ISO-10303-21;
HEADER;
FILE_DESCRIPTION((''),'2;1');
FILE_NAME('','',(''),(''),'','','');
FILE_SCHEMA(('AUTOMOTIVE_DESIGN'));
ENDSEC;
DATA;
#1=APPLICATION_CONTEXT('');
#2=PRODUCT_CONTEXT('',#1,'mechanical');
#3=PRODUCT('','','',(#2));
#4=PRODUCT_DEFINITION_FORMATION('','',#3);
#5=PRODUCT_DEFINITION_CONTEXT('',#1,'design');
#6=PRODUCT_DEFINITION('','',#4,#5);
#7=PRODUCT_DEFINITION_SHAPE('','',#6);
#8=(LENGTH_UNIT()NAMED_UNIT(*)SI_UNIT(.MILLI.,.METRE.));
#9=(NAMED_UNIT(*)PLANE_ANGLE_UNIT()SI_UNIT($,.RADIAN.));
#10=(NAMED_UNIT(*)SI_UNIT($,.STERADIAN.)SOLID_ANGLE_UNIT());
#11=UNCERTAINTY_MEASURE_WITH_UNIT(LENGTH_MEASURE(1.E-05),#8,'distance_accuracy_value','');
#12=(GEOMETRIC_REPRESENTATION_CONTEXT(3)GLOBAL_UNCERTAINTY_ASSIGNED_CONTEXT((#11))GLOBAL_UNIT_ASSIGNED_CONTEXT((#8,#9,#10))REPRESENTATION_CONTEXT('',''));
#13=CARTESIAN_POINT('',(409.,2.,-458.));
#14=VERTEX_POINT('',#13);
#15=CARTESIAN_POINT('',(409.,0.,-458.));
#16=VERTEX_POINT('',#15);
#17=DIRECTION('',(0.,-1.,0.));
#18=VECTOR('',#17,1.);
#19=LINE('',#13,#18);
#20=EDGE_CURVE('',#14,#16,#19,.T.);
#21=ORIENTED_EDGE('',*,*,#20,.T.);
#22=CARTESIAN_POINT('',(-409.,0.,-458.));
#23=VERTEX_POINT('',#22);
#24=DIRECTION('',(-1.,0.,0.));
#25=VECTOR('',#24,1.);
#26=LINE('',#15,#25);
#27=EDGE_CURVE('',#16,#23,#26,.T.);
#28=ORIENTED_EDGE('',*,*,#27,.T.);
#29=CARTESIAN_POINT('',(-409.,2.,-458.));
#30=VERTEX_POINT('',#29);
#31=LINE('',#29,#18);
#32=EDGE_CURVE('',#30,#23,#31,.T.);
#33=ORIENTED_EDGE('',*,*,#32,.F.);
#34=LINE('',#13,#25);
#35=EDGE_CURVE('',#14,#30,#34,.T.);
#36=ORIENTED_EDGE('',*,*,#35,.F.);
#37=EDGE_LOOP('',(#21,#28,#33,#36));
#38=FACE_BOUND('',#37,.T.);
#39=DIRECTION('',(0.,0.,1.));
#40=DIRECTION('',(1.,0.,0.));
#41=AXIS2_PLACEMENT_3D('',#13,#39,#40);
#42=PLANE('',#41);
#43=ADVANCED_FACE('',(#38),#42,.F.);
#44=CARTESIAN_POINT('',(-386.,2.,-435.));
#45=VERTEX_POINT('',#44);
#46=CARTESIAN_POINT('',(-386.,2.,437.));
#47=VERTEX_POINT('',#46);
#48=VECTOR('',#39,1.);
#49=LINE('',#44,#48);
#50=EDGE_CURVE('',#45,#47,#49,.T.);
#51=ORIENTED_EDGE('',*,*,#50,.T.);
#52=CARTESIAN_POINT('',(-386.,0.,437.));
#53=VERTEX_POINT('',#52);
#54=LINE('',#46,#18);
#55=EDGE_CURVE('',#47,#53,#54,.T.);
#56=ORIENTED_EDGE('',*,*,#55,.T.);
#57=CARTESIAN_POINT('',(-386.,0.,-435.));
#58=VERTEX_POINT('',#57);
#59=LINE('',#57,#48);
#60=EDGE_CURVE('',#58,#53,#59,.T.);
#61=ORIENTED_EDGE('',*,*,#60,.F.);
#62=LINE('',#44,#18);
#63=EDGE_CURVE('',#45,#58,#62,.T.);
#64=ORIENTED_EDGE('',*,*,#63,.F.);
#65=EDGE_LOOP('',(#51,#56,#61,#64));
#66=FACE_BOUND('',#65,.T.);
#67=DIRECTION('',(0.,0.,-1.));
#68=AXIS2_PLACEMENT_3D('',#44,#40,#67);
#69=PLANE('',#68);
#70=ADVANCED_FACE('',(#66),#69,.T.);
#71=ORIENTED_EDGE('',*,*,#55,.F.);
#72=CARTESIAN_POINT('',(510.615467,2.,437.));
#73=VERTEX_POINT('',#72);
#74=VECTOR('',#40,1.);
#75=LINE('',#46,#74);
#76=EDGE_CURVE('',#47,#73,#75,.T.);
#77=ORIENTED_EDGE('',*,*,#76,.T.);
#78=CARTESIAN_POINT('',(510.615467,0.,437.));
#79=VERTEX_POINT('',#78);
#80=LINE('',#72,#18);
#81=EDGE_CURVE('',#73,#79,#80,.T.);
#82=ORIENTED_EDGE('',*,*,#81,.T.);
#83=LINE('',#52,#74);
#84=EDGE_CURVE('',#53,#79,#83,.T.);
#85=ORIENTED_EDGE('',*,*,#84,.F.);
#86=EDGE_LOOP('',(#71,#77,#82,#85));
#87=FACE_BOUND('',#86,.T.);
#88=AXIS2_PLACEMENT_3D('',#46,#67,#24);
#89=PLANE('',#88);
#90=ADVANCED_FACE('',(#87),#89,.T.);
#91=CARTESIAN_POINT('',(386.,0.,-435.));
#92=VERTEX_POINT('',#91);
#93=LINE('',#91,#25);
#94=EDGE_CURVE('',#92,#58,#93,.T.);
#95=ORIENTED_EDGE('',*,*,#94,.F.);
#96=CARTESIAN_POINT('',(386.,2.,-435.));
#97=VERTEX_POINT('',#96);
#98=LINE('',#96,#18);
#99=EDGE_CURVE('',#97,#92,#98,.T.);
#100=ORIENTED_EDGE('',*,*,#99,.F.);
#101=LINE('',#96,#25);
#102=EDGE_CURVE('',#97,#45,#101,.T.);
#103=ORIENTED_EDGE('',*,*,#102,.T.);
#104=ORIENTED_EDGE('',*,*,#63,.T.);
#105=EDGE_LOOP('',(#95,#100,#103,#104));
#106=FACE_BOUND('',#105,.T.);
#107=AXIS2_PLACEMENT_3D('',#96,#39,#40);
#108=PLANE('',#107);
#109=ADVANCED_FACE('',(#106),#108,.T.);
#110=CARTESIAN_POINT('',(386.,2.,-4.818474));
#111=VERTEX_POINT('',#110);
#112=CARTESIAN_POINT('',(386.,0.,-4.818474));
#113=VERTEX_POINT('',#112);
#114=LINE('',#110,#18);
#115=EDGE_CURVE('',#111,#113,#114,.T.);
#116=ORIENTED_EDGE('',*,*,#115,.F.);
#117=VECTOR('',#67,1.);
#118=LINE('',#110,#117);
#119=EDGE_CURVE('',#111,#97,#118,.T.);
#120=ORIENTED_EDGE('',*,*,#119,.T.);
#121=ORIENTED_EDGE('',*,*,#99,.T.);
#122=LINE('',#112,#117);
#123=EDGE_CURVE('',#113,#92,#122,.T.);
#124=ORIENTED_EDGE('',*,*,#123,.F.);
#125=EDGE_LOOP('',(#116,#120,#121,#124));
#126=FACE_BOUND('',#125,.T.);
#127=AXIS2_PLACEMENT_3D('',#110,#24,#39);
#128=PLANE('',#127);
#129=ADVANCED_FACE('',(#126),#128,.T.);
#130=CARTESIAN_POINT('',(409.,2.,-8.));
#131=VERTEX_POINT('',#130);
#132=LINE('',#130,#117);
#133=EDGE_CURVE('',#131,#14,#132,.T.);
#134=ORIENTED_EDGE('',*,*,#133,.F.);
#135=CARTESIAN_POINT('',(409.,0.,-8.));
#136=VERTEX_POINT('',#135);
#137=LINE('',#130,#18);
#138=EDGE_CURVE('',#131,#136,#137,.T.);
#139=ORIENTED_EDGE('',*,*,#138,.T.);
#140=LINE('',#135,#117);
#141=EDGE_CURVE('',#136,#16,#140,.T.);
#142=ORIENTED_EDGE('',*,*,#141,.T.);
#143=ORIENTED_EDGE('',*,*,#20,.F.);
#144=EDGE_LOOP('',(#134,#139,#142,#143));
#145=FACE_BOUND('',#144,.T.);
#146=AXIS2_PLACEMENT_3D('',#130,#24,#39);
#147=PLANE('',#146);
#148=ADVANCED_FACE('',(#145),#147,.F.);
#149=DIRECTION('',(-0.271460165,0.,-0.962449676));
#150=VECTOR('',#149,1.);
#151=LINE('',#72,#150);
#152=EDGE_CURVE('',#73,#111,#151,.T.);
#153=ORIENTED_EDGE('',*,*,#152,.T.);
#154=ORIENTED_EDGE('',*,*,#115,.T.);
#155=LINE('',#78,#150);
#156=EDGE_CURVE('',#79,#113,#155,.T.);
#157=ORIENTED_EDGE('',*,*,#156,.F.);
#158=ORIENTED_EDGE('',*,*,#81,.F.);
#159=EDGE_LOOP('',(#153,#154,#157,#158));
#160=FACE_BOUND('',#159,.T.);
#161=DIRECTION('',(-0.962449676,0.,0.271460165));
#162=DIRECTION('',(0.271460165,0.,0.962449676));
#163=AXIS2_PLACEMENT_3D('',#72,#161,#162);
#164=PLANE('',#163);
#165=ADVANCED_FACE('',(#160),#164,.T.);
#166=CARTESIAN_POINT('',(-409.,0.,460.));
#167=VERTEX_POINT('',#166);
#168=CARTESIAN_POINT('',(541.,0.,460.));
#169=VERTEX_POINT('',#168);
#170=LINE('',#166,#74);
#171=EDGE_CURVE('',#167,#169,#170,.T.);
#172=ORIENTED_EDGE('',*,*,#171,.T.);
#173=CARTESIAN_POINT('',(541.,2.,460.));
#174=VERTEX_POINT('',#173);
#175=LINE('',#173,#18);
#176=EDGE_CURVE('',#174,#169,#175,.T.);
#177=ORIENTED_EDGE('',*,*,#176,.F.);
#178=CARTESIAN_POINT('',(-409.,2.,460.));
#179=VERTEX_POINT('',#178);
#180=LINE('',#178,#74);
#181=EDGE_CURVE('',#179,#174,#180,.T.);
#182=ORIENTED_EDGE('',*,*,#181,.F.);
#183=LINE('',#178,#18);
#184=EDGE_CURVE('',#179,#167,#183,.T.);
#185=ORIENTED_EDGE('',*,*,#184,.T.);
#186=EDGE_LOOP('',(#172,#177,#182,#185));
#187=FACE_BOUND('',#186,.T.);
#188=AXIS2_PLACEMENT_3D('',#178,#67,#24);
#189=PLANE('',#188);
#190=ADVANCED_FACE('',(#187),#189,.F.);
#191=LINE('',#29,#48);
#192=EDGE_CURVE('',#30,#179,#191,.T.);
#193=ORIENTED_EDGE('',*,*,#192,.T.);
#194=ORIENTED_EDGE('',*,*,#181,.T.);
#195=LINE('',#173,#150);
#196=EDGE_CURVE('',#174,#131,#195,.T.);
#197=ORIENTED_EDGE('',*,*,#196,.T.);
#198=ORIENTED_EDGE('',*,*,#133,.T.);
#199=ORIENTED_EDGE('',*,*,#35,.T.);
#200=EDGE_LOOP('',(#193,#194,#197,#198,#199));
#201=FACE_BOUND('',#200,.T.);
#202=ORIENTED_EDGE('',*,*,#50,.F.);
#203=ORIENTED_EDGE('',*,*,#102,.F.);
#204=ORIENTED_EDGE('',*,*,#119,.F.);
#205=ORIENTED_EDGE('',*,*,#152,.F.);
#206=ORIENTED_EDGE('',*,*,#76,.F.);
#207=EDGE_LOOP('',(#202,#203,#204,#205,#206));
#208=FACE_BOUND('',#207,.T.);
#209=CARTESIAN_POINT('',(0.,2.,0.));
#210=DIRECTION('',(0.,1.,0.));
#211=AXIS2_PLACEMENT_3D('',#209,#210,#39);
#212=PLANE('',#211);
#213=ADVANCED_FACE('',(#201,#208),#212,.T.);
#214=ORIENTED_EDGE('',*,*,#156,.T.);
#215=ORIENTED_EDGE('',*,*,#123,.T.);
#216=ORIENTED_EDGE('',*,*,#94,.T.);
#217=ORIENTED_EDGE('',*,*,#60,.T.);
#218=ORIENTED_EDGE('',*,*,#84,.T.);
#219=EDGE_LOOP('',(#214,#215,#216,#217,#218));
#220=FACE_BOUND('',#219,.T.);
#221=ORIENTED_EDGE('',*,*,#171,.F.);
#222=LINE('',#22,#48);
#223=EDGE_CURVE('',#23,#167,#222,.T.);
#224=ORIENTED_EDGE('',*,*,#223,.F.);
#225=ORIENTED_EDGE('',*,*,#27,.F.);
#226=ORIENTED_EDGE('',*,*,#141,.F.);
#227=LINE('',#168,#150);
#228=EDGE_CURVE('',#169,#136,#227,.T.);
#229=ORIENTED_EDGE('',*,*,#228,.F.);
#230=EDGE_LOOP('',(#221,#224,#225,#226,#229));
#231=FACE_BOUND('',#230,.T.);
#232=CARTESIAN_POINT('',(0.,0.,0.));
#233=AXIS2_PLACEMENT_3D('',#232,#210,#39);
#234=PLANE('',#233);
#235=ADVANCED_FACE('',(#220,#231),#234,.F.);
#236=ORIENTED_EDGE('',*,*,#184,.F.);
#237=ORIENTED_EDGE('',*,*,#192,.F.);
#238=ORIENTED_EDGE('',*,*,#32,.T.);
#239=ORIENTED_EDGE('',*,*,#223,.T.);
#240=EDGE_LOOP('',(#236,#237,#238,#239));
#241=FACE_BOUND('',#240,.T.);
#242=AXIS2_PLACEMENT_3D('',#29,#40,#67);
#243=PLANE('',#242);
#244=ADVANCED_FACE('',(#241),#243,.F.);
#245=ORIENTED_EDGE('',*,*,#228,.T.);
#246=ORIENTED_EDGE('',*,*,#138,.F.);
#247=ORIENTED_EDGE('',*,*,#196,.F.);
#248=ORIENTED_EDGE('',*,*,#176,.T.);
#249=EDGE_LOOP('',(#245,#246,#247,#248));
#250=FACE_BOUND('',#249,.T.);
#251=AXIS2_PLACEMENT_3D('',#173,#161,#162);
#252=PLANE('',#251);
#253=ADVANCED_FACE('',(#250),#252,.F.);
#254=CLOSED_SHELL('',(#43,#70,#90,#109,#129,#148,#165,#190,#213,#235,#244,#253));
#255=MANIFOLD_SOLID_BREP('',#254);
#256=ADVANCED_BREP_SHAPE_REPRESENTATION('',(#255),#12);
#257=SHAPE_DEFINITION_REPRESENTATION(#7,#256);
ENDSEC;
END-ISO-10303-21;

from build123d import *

# Parameters (mm, degrees)
EXTRUDE_1_DEPTH = 2


with BuildPart() as part:
    # 草图1 → 凸台-拉伸1 (new body)
    with BuildSketch(Plane(origin=(0, 0, 0), x_dir=(1, 0, 0), z_dir=(0, 1, 0))):
        Polygon((-409, 458), (-409, -460), (541, -460), (409, 8), (409, 458), align=None)
        Polygon((386, 435), (-386, 435), (-386, -437), (510.615467151, -437), (386, 4.818474445), align=None, mode=Mode.SUBTRACT)
    extrude(amount=EXTRUDE_1_DEPTH)


solid = part.part
